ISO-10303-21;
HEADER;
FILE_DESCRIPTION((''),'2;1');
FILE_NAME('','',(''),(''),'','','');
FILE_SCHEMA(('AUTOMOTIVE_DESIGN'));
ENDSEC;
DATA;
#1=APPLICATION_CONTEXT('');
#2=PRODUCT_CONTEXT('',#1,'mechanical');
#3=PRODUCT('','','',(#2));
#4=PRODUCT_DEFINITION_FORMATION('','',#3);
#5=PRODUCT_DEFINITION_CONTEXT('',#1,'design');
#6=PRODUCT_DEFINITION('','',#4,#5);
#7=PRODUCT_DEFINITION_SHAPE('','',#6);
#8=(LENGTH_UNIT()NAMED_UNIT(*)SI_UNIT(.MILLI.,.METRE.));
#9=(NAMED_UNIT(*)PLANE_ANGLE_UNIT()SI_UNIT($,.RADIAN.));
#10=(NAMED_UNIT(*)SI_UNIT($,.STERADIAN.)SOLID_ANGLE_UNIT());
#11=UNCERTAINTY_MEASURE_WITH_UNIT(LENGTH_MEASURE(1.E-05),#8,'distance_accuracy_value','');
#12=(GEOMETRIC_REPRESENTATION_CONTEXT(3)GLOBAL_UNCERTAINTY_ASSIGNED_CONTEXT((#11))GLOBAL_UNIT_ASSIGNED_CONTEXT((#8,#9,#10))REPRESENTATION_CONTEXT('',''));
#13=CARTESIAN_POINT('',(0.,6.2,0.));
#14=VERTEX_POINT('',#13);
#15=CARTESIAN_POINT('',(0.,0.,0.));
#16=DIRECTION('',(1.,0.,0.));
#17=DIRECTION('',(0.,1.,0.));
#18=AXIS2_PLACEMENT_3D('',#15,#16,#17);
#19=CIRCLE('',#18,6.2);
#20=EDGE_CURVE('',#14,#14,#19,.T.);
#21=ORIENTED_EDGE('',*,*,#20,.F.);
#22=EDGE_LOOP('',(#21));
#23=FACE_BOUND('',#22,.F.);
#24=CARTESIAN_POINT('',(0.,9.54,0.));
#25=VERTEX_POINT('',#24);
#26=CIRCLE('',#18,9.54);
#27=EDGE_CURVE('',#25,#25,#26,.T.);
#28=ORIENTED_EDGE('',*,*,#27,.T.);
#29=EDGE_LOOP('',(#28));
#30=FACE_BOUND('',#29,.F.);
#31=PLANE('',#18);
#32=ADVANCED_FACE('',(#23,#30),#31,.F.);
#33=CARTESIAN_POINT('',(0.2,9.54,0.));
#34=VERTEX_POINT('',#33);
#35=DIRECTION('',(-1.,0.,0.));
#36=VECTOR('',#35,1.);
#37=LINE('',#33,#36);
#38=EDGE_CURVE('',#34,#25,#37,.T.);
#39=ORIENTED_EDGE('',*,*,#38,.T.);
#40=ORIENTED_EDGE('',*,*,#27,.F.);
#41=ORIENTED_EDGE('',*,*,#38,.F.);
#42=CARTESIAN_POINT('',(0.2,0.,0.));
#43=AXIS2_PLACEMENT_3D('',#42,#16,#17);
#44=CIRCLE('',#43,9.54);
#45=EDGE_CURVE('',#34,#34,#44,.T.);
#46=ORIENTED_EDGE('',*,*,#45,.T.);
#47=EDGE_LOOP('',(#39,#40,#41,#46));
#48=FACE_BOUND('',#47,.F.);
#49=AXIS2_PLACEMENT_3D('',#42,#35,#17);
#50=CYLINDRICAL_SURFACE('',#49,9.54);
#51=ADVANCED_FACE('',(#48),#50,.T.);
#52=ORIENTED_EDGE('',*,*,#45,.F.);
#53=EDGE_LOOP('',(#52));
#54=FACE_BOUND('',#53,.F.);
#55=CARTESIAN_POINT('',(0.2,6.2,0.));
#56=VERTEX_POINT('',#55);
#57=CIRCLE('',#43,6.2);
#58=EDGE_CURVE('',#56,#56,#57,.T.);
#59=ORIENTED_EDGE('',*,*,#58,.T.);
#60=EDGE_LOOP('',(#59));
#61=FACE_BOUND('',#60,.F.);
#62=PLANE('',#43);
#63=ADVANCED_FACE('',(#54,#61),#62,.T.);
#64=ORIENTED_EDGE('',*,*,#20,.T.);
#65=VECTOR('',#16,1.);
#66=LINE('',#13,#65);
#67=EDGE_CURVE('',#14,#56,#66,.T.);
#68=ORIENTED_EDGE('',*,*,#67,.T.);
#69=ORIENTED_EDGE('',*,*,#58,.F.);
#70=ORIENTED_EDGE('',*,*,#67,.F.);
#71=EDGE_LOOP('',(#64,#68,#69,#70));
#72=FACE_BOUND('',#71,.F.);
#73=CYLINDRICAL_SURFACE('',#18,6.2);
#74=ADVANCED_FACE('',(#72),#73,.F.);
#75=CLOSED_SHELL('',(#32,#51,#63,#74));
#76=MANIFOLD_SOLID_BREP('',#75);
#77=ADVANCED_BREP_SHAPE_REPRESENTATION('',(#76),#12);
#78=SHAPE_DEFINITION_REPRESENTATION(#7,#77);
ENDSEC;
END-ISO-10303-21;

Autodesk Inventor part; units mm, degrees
sketch "Sketch_1" plane through (0, 0, 0) normal (0, 0, 1) x (1, 0, 0)
  line L0 (0.2, 0) -> (0, 0)
  line L1 (0, 9.54) -> (0, 6.2)
  line L2 (0, 6.2) -> (0.2, 6.2)
  line L3 (0.2, 6.2) -> (0.2, 9.54)
  line L4 (0.2, 9.54) -> (0, 9.54)
revolve "Revolution1" add sketch "Sketch_1" angle 360 about axis through (0.2, 0, 0) along (1, 0, 0)
ref_plane "1_XY" through (0, 0, 0) normal (1, 0, 0) x (0, 0, -1)
ref_plane "1_YZ" through (0, 0, 0) normal (0, 0, -1) x (0, 1, 0)
ref_plane "1_ZX" through (0, 0, 0) normal (0, 1, 0) x (1, 0, 0)
properties part number "RF-2210X2HH_shield"
